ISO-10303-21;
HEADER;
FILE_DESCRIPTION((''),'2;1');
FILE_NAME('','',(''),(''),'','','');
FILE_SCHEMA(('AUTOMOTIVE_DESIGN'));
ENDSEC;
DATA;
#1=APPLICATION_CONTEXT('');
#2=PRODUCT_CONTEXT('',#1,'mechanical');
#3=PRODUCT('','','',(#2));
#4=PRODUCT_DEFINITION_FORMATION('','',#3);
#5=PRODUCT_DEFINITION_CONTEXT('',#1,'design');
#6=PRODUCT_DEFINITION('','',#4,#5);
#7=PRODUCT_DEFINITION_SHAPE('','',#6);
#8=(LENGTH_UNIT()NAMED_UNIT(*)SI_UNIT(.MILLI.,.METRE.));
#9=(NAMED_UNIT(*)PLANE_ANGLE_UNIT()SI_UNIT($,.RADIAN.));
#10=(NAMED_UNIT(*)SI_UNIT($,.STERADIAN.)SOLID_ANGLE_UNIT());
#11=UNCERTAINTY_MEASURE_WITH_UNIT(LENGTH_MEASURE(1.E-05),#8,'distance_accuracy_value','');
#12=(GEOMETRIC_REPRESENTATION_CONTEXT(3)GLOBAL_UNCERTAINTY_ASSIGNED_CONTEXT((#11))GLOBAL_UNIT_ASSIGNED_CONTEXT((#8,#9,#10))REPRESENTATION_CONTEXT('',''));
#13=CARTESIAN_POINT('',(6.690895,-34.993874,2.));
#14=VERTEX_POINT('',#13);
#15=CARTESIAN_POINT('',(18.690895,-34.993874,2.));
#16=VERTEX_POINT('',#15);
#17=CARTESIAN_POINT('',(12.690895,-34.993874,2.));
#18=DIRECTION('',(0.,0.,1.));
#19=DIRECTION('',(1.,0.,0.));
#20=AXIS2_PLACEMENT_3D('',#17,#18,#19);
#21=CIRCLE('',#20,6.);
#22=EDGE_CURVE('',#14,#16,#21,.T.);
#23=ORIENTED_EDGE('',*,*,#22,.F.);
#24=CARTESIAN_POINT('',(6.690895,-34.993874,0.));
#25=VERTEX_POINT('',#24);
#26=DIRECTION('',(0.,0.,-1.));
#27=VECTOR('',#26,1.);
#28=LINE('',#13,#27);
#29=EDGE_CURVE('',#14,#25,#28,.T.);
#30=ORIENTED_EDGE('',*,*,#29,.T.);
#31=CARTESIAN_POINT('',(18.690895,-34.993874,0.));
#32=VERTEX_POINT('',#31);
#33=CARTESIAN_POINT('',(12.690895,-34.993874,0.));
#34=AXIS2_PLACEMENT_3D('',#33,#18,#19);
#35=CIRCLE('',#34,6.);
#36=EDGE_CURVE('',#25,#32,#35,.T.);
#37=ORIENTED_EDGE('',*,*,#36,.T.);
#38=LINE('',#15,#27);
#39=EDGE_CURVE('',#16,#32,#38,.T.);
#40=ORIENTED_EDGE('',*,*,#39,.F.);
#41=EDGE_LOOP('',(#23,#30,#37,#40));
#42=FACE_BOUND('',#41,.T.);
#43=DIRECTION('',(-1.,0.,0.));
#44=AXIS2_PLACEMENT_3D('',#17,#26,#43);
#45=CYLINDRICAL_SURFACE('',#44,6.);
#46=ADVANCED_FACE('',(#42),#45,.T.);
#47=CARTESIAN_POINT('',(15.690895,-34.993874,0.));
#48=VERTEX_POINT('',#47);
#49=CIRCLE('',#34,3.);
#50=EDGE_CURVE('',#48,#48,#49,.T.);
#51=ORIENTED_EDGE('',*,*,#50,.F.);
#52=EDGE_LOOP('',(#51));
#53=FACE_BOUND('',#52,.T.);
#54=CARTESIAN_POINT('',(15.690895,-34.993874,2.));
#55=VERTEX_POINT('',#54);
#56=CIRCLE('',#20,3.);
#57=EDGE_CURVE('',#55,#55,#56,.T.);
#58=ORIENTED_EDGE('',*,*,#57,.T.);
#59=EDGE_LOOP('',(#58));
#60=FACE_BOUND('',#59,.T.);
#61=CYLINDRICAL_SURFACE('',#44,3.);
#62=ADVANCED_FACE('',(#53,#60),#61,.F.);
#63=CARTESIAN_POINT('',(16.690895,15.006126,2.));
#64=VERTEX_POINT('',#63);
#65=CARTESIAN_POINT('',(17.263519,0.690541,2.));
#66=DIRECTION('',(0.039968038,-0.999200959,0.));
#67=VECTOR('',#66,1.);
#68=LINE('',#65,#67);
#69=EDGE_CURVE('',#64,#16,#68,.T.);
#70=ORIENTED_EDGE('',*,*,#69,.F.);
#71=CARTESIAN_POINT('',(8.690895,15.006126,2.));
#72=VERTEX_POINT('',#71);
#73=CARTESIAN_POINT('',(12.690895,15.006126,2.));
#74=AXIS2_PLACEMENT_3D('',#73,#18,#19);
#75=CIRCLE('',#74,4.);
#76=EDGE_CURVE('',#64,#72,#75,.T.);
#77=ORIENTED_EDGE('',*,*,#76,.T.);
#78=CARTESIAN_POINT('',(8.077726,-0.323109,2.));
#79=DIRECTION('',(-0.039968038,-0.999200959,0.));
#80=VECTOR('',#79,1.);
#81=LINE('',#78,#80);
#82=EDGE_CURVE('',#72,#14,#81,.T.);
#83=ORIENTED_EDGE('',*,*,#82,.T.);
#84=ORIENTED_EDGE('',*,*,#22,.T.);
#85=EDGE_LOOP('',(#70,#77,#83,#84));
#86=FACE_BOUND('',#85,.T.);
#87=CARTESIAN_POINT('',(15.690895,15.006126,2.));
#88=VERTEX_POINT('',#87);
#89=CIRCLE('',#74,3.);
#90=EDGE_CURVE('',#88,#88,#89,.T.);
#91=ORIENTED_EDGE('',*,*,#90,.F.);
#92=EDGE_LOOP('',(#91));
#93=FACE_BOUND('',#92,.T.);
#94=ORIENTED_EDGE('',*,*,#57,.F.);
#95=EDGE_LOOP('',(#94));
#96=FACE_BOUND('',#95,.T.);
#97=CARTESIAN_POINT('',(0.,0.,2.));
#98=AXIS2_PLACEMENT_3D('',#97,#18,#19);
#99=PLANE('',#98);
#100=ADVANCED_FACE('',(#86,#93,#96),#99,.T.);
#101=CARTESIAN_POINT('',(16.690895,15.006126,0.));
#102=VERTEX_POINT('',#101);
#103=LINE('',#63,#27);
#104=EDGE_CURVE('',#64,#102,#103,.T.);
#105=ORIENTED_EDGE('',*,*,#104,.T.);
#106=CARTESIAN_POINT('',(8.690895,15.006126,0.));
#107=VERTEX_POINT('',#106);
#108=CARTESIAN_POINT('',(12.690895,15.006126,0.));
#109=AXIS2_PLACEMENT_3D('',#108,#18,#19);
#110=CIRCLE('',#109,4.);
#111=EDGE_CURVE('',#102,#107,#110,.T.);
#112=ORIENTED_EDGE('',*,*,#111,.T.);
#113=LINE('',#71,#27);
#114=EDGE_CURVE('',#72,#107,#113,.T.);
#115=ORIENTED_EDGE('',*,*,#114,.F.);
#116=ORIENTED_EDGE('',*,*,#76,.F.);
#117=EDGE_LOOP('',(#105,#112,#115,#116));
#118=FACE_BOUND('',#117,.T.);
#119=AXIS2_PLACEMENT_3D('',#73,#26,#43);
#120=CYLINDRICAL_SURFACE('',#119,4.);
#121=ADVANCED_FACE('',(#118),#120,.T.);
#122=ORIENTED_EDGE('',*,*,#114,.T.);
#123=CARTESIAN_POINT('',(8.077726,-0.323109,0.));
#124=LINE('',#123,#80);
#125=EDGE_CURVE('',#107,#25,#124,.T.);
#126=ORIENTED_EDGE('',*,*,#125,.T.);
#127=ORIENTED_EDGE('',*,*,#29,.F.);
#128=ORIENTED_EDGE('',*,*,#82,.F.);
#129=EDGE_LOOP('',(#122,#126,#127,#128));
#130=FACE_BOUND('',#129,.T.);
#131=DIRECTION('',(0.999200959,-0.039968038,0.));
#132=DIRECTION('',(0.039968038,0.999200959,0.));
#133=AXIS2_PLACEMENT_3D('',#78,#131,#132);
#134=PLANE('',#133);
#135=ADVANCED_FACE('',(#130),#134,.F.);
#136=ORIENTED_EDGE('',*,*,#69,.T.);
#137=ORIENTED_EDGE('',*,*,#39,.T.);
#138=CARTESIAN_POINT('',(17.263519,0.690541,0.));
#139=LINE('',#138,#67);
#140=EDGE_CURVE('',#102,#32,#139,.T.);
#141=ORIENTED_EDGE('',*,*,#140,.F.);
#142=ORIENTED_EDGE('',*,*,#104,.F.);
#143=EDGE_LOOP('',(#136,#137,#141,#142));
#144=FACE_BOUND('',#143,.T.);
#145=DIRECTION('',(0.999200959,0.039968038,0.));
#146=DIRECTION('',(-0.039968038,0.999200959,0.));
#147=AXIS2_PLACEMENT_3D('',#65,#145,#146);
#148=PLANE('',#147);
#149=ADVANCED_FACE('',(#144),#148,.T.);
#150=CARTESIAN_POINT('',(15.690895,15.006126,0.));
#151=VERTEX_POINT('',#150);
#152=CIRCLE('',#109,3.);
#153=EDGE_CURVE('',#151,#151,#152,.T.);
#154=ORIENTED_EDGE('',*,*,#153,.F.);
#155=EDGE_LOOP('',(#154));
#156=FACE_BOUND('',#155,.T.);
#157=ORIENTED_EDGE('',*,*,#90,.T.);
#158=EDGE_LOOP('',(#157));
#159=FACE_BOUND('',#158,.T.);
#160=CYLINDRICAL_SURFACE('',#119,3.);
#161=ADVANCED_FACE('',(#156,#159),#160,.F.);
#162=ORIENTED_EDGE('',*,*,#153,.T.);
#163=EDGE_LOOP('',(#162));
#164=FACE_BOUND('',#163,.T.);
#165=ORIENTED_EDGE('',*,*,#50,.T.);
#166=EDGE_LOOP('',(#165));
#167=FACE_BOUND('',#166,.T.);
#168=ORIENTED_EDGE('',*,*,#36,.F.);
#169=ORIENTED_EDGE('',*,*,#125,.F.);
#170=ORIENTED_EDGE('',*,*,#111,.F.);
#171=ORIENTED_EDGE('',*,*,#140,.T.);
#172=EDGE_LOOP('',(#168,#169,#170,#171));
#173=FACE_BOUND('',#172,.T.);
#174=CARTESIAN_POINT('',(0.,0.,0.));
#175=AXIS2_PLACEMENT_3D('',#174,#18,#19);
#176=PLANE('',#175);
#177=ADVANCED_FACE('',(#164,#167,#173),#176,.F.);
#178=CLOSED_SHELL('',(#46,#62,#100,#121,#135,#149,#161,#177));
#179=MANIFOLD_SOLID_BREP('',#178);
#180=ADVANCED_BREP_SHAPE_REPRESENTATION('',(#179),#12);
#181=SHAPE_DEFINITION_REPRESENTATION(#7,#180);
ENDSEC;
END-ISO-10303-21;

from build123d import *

# Parameters (mm, degrees)
SZKIC1_R                    = 3
DODANIE_WYCI_GNI_CIE1_DEPTH = 2


with BuildPart() as part:
    # Szkic1 → Dodanie-wyciągnięcie1 (new body)
    with BuildSketch(Plane.XY):
        with BuildLine():
            ThreePointArc((16.690895301, 15.0061262), (12.690895301, 19.0061262), (8.690895301, 15.0061262))
            Line((8.690895301, 15.0061262), (6.71006463, -34.514640573))
            Line((6.71006463, -34.514640573), (6.690895301, -34.9938738))
            ThreePointArc((6.690895301, -34.9938738), (12.690895301, -40.9938738), (18.690895301, -34.9938738))
            Line((18.690895301, -34.9938738), (18.671725971, -34.514640573))
            Line((18.671725971, -34.514640573), (16.690895301, 15.0061262))
        make_face()
        with Locations((12.690895301, -34.9938738)):
            Circle(SZKIC1_R, mode=Mode.SUBTRACT)
        with Locations((12.690895301, 15.0061262)):
            Circle(SZKIC1_R, mode=Mode.SUBTRACT)
    extrude(amount=DODANIE_WYCI_GNI_CIE1_DEPTH)


solid = part.part
